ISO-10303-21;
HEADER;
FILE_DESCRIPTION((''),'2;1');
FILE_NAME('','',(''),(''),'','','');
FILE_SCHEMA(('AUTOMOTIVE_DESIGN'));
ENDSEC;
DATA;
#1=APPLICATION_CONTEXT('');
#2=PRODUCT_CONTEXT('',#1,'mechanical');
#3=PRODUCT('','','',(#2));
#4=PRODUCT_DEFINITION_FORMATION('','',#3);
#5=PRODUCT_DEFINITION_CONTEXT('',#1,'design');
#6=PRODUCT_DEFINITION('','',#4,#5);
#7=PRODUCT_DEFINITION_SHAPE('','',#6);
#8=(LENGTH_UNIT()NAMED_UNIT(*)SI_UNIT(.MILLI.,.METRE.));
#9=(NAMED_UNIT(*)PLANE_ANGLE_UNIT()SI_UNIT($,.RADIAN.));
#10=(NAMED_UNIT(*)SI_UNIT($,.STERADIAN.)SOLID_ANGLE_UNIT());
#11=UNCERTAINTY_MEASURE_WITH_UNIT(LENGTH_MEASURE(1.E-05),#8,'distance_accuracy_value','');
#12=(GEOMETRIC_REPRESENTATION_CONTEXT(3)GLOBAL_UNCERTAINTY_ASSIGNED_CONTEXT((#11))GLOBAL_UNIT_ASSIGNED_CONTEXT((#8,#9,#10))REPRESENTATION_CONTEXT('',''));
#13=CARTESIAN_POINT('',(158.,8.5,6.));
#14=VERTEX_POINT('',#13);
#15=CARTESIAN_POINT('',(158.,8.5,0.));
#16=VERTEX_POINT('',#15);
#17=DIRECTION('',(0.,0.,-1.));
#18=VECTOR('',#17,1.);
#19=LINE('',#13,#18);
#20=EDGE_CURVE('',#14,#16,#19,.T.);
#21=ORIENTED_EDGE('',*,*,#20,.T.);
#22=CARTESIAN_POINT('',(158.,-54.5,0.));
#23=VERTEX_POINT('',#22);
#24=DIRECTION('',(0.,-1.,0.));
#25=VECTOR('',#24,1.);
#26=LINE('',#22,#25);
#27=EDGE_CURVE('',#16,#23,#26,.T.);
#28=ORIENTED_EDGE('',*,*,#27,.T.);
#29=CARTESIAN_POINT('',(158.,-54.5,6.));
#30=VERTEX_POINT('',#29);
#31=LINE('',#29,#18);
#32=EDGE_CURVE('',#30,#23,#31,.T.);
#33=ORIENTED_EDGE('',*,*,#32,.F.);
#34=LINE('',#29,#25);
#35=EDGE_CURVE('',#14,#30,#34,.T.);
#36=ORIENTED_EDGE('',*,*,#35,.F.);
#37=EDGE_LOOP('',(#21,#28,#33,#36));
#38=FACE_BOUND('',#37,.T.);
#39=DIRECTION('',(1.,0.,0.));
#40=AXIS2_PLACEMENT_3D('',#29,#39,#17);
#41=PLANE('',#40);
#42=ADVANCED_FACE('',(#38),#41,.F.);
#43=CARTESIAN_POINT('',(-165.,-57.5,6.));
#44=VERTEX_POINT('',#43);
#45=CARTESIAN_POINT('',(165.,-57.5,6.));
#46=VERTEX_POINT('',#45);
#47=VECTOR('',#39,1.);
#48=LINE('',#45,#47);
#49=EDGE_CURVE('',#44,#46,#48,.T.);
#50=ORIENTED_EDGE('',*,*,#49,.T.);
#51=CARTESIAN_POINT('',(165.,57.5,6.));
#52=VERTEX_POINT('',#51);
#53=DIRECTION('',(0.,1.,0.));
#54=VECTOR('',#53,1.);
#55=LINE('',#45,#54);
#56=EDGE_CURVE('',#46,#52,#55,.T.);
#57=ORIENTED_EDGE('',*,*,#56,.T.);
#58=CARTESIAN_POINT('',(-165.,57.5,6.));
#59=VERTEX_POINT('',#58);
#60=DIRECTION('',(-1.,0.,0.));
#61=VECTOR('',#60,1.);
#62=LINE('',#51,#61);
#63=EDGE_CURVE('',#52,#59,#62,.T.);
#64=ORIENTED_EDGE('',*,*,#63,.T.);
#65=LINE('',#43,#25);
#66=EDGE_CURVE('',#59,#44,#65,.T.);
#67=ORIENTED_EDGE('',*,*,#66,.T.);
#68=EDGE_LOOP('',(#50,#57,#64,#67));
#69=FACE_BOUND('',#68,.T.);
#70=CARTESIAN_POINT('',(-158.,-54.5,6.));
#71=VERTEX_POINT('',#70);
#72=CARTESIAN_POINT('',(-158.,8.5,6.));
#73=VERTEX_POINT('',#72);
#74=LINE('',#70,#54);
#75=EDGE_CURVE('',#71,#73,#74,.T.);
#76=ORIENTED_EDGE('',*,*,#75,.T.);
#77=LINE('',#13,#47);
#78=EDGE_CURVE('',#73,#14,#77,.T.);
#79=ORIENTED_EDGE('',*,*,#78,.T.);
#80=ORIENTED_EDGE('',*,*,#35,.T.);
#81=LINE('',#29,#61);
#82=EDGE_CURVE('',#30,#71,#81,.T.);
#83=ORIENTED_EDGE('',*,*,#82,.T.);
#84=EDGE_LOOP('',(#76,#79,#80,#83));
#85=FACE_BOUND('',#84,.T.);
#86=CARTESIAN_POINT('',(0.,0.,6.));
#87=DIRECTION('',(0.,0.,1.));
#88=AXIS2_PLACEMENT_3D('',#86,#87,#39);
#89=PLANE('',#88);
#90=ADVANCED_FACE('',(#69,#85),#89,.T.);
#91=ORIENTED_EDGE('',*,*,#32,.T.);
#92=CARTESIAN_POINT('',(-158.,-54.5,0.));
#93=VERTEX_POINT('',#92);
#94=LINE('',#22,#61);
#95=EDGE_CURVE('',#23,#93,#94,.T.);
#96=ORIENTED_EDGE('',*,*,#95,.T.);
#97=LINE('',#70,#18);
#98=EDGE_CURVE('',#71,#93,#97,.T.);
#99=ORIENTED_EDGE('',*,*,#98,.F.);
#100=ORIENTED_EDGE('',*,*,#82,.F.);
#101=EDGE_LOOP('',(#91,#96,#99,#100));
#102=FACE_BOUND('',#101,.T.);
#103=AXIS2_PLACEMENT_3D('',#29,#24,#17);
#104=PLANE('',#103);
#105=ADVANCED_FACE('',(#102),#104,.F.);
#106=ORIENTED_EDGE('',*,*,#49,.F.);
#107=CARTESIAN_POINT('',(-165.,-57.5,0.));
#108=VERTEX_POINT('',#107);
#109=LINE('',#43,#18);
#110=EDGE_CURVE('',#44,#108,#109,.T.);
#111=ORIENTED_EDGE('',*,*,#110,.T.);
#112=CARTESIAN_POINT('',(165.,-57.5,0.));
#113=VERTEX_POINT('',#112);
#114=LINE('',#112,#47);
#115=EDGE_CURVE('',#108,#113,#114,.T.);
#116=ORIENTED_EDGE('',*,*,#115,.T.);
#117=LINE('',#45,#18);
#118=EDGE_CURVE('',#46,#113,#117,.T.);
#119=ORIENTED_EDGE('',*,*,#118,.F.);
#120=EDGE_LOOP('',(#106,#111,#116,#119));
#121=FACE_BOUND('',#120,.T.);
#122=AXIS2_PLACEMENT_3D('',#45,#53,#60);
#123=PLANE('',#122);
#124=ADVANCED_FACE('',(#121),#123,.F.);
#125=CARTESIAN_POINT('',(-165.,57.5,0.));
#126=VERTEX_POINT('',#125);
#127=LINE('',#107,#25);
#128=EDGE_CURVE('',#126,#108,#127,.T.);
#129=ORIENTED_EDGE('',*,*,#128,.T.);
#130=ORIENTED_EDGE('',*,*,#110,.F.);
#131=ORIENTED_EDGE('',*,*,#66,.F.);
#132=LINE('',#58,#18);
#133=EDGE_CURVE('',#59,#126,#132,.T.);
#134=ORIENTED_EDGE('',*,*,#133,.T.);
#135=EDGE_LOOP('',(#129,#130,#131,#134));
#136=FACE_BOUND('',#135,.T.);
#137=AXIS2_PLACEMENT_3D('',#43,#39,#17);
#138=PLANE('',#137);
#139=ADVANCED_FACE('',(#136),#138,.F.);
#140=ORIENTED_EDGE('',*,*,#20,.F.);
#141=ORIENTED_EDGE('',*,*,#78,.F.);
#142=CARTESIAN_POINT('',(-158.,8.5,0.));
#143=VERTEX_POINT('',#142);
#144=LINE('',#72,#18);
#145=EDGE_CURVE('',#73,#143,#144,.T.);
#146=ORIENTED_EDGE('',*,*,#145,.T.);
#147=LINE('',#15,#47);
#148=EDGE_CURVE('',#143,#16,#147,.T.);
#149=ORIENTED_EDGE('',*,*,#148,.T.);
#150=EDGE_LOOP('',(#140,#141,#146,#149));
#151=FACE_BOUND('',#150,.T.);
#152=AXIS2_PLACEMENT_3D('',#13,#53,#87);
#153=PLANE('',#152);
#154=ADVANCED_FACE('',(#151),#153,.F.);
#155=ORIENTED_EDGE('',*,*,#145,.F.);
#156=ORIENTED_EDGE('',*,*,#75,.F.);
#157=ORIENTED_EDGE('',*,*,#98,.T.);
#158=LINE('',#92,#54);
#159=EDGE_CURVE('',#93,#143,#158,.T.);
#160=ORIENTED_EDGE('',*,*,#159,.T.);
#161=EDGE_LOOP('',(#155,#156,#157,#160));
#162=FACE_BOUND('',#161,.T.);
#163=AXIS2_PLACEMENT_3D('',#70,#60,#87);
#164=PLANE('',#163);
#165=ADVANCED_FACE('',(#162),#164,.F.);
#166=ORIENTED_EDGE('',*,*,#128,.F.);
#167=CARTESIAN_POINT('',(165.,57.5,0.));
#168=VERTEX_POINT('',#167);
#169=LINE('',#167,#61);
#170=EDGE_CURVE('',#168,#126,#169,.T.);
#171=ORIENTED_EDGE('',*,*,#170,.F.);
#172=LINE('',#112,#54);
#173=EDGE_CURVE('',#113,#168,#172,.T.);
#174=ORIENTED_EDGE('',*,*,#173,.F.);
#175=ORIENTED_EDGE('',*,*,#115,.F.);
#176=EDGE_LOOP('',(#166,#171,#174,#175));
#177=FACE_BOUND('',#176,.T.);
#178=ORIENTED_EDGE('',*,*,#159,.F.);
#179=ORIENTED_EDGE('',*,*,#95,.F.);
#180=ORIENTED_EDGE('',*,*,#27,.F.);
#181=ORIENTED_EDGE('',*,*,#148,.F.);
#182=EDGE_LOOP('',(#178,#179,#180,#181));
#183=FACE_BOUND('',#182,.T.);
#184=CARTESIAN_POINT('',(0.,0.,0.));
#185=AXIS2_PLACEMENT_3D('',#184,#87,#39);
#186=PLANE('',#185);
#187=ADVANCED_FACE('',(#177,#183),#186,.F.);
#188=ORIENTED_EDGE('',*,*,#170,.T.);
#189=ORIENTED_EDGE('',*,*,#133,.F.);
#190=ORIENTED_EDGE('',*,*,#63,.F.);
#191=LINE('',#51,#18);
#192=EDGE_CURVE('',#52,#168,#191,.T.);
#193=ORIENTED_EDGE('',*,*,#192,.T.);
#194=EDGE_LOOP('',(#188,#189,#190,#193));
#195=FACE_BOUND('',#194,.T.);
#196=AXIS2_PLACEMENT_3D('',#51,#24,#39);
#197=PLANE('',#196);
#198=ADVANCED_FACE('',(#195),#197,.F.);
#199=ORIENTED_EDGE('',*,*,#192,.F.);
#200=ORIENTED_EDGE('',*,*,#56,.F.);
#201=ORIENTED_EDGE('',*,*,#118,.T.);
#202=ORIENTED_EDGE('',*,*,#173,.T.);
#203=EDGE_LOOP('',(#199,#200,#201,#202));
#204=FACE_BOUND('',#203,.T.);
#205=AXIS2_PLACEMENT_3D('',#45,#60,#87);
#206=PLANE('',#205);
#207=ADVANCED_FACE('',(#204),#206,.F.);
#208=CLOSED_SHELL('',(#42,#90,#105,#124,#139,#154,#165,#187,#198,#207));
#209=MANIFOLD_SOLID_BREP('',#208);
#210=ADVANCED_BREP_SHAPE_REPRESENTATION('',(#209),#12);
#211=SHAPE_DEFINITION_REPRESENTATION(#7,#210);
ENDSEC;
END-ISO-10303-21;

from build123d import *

# Parameters (mm, degrees)
ESQUISSE1_W             = 330
ESQUISSE1_H             = 115
BOSS_EXTRU_1_DEPTH      = 6
ESQUISSE2_W             = 316
ESQUISSE2_H             = 63
ENL_V_MAT_EXTRU_1_DEPTH = 175.834922141


with BuildPart() as part:
    # Esquisse1 → Boss.-Extru.1 (new body)
    with BuildSketch(Plane.XY):
        Rectangle(ESQUISSE1_W, ESQUISSE1_H)
    extrude(amount=BOSS_EXTRU_1_DEPTH)

    # Esquisse2 → Enlèv. mat.-Extru.1 (cut, through all)
    with BuildSketch(Plane(origin=(0, 0, 0), x_dir=(-1, 0, 0), z_dir=(0, 0, -1))):
        with Locations((0, -23)):
            Rectangle(ESQUISSE2_W, ESQUISSE2_H)
    extrude(amount=-ENL_V_MAT_EXTRU_1_DEPTH, mode=Mode.SUBTRACT)


solid = part.part
